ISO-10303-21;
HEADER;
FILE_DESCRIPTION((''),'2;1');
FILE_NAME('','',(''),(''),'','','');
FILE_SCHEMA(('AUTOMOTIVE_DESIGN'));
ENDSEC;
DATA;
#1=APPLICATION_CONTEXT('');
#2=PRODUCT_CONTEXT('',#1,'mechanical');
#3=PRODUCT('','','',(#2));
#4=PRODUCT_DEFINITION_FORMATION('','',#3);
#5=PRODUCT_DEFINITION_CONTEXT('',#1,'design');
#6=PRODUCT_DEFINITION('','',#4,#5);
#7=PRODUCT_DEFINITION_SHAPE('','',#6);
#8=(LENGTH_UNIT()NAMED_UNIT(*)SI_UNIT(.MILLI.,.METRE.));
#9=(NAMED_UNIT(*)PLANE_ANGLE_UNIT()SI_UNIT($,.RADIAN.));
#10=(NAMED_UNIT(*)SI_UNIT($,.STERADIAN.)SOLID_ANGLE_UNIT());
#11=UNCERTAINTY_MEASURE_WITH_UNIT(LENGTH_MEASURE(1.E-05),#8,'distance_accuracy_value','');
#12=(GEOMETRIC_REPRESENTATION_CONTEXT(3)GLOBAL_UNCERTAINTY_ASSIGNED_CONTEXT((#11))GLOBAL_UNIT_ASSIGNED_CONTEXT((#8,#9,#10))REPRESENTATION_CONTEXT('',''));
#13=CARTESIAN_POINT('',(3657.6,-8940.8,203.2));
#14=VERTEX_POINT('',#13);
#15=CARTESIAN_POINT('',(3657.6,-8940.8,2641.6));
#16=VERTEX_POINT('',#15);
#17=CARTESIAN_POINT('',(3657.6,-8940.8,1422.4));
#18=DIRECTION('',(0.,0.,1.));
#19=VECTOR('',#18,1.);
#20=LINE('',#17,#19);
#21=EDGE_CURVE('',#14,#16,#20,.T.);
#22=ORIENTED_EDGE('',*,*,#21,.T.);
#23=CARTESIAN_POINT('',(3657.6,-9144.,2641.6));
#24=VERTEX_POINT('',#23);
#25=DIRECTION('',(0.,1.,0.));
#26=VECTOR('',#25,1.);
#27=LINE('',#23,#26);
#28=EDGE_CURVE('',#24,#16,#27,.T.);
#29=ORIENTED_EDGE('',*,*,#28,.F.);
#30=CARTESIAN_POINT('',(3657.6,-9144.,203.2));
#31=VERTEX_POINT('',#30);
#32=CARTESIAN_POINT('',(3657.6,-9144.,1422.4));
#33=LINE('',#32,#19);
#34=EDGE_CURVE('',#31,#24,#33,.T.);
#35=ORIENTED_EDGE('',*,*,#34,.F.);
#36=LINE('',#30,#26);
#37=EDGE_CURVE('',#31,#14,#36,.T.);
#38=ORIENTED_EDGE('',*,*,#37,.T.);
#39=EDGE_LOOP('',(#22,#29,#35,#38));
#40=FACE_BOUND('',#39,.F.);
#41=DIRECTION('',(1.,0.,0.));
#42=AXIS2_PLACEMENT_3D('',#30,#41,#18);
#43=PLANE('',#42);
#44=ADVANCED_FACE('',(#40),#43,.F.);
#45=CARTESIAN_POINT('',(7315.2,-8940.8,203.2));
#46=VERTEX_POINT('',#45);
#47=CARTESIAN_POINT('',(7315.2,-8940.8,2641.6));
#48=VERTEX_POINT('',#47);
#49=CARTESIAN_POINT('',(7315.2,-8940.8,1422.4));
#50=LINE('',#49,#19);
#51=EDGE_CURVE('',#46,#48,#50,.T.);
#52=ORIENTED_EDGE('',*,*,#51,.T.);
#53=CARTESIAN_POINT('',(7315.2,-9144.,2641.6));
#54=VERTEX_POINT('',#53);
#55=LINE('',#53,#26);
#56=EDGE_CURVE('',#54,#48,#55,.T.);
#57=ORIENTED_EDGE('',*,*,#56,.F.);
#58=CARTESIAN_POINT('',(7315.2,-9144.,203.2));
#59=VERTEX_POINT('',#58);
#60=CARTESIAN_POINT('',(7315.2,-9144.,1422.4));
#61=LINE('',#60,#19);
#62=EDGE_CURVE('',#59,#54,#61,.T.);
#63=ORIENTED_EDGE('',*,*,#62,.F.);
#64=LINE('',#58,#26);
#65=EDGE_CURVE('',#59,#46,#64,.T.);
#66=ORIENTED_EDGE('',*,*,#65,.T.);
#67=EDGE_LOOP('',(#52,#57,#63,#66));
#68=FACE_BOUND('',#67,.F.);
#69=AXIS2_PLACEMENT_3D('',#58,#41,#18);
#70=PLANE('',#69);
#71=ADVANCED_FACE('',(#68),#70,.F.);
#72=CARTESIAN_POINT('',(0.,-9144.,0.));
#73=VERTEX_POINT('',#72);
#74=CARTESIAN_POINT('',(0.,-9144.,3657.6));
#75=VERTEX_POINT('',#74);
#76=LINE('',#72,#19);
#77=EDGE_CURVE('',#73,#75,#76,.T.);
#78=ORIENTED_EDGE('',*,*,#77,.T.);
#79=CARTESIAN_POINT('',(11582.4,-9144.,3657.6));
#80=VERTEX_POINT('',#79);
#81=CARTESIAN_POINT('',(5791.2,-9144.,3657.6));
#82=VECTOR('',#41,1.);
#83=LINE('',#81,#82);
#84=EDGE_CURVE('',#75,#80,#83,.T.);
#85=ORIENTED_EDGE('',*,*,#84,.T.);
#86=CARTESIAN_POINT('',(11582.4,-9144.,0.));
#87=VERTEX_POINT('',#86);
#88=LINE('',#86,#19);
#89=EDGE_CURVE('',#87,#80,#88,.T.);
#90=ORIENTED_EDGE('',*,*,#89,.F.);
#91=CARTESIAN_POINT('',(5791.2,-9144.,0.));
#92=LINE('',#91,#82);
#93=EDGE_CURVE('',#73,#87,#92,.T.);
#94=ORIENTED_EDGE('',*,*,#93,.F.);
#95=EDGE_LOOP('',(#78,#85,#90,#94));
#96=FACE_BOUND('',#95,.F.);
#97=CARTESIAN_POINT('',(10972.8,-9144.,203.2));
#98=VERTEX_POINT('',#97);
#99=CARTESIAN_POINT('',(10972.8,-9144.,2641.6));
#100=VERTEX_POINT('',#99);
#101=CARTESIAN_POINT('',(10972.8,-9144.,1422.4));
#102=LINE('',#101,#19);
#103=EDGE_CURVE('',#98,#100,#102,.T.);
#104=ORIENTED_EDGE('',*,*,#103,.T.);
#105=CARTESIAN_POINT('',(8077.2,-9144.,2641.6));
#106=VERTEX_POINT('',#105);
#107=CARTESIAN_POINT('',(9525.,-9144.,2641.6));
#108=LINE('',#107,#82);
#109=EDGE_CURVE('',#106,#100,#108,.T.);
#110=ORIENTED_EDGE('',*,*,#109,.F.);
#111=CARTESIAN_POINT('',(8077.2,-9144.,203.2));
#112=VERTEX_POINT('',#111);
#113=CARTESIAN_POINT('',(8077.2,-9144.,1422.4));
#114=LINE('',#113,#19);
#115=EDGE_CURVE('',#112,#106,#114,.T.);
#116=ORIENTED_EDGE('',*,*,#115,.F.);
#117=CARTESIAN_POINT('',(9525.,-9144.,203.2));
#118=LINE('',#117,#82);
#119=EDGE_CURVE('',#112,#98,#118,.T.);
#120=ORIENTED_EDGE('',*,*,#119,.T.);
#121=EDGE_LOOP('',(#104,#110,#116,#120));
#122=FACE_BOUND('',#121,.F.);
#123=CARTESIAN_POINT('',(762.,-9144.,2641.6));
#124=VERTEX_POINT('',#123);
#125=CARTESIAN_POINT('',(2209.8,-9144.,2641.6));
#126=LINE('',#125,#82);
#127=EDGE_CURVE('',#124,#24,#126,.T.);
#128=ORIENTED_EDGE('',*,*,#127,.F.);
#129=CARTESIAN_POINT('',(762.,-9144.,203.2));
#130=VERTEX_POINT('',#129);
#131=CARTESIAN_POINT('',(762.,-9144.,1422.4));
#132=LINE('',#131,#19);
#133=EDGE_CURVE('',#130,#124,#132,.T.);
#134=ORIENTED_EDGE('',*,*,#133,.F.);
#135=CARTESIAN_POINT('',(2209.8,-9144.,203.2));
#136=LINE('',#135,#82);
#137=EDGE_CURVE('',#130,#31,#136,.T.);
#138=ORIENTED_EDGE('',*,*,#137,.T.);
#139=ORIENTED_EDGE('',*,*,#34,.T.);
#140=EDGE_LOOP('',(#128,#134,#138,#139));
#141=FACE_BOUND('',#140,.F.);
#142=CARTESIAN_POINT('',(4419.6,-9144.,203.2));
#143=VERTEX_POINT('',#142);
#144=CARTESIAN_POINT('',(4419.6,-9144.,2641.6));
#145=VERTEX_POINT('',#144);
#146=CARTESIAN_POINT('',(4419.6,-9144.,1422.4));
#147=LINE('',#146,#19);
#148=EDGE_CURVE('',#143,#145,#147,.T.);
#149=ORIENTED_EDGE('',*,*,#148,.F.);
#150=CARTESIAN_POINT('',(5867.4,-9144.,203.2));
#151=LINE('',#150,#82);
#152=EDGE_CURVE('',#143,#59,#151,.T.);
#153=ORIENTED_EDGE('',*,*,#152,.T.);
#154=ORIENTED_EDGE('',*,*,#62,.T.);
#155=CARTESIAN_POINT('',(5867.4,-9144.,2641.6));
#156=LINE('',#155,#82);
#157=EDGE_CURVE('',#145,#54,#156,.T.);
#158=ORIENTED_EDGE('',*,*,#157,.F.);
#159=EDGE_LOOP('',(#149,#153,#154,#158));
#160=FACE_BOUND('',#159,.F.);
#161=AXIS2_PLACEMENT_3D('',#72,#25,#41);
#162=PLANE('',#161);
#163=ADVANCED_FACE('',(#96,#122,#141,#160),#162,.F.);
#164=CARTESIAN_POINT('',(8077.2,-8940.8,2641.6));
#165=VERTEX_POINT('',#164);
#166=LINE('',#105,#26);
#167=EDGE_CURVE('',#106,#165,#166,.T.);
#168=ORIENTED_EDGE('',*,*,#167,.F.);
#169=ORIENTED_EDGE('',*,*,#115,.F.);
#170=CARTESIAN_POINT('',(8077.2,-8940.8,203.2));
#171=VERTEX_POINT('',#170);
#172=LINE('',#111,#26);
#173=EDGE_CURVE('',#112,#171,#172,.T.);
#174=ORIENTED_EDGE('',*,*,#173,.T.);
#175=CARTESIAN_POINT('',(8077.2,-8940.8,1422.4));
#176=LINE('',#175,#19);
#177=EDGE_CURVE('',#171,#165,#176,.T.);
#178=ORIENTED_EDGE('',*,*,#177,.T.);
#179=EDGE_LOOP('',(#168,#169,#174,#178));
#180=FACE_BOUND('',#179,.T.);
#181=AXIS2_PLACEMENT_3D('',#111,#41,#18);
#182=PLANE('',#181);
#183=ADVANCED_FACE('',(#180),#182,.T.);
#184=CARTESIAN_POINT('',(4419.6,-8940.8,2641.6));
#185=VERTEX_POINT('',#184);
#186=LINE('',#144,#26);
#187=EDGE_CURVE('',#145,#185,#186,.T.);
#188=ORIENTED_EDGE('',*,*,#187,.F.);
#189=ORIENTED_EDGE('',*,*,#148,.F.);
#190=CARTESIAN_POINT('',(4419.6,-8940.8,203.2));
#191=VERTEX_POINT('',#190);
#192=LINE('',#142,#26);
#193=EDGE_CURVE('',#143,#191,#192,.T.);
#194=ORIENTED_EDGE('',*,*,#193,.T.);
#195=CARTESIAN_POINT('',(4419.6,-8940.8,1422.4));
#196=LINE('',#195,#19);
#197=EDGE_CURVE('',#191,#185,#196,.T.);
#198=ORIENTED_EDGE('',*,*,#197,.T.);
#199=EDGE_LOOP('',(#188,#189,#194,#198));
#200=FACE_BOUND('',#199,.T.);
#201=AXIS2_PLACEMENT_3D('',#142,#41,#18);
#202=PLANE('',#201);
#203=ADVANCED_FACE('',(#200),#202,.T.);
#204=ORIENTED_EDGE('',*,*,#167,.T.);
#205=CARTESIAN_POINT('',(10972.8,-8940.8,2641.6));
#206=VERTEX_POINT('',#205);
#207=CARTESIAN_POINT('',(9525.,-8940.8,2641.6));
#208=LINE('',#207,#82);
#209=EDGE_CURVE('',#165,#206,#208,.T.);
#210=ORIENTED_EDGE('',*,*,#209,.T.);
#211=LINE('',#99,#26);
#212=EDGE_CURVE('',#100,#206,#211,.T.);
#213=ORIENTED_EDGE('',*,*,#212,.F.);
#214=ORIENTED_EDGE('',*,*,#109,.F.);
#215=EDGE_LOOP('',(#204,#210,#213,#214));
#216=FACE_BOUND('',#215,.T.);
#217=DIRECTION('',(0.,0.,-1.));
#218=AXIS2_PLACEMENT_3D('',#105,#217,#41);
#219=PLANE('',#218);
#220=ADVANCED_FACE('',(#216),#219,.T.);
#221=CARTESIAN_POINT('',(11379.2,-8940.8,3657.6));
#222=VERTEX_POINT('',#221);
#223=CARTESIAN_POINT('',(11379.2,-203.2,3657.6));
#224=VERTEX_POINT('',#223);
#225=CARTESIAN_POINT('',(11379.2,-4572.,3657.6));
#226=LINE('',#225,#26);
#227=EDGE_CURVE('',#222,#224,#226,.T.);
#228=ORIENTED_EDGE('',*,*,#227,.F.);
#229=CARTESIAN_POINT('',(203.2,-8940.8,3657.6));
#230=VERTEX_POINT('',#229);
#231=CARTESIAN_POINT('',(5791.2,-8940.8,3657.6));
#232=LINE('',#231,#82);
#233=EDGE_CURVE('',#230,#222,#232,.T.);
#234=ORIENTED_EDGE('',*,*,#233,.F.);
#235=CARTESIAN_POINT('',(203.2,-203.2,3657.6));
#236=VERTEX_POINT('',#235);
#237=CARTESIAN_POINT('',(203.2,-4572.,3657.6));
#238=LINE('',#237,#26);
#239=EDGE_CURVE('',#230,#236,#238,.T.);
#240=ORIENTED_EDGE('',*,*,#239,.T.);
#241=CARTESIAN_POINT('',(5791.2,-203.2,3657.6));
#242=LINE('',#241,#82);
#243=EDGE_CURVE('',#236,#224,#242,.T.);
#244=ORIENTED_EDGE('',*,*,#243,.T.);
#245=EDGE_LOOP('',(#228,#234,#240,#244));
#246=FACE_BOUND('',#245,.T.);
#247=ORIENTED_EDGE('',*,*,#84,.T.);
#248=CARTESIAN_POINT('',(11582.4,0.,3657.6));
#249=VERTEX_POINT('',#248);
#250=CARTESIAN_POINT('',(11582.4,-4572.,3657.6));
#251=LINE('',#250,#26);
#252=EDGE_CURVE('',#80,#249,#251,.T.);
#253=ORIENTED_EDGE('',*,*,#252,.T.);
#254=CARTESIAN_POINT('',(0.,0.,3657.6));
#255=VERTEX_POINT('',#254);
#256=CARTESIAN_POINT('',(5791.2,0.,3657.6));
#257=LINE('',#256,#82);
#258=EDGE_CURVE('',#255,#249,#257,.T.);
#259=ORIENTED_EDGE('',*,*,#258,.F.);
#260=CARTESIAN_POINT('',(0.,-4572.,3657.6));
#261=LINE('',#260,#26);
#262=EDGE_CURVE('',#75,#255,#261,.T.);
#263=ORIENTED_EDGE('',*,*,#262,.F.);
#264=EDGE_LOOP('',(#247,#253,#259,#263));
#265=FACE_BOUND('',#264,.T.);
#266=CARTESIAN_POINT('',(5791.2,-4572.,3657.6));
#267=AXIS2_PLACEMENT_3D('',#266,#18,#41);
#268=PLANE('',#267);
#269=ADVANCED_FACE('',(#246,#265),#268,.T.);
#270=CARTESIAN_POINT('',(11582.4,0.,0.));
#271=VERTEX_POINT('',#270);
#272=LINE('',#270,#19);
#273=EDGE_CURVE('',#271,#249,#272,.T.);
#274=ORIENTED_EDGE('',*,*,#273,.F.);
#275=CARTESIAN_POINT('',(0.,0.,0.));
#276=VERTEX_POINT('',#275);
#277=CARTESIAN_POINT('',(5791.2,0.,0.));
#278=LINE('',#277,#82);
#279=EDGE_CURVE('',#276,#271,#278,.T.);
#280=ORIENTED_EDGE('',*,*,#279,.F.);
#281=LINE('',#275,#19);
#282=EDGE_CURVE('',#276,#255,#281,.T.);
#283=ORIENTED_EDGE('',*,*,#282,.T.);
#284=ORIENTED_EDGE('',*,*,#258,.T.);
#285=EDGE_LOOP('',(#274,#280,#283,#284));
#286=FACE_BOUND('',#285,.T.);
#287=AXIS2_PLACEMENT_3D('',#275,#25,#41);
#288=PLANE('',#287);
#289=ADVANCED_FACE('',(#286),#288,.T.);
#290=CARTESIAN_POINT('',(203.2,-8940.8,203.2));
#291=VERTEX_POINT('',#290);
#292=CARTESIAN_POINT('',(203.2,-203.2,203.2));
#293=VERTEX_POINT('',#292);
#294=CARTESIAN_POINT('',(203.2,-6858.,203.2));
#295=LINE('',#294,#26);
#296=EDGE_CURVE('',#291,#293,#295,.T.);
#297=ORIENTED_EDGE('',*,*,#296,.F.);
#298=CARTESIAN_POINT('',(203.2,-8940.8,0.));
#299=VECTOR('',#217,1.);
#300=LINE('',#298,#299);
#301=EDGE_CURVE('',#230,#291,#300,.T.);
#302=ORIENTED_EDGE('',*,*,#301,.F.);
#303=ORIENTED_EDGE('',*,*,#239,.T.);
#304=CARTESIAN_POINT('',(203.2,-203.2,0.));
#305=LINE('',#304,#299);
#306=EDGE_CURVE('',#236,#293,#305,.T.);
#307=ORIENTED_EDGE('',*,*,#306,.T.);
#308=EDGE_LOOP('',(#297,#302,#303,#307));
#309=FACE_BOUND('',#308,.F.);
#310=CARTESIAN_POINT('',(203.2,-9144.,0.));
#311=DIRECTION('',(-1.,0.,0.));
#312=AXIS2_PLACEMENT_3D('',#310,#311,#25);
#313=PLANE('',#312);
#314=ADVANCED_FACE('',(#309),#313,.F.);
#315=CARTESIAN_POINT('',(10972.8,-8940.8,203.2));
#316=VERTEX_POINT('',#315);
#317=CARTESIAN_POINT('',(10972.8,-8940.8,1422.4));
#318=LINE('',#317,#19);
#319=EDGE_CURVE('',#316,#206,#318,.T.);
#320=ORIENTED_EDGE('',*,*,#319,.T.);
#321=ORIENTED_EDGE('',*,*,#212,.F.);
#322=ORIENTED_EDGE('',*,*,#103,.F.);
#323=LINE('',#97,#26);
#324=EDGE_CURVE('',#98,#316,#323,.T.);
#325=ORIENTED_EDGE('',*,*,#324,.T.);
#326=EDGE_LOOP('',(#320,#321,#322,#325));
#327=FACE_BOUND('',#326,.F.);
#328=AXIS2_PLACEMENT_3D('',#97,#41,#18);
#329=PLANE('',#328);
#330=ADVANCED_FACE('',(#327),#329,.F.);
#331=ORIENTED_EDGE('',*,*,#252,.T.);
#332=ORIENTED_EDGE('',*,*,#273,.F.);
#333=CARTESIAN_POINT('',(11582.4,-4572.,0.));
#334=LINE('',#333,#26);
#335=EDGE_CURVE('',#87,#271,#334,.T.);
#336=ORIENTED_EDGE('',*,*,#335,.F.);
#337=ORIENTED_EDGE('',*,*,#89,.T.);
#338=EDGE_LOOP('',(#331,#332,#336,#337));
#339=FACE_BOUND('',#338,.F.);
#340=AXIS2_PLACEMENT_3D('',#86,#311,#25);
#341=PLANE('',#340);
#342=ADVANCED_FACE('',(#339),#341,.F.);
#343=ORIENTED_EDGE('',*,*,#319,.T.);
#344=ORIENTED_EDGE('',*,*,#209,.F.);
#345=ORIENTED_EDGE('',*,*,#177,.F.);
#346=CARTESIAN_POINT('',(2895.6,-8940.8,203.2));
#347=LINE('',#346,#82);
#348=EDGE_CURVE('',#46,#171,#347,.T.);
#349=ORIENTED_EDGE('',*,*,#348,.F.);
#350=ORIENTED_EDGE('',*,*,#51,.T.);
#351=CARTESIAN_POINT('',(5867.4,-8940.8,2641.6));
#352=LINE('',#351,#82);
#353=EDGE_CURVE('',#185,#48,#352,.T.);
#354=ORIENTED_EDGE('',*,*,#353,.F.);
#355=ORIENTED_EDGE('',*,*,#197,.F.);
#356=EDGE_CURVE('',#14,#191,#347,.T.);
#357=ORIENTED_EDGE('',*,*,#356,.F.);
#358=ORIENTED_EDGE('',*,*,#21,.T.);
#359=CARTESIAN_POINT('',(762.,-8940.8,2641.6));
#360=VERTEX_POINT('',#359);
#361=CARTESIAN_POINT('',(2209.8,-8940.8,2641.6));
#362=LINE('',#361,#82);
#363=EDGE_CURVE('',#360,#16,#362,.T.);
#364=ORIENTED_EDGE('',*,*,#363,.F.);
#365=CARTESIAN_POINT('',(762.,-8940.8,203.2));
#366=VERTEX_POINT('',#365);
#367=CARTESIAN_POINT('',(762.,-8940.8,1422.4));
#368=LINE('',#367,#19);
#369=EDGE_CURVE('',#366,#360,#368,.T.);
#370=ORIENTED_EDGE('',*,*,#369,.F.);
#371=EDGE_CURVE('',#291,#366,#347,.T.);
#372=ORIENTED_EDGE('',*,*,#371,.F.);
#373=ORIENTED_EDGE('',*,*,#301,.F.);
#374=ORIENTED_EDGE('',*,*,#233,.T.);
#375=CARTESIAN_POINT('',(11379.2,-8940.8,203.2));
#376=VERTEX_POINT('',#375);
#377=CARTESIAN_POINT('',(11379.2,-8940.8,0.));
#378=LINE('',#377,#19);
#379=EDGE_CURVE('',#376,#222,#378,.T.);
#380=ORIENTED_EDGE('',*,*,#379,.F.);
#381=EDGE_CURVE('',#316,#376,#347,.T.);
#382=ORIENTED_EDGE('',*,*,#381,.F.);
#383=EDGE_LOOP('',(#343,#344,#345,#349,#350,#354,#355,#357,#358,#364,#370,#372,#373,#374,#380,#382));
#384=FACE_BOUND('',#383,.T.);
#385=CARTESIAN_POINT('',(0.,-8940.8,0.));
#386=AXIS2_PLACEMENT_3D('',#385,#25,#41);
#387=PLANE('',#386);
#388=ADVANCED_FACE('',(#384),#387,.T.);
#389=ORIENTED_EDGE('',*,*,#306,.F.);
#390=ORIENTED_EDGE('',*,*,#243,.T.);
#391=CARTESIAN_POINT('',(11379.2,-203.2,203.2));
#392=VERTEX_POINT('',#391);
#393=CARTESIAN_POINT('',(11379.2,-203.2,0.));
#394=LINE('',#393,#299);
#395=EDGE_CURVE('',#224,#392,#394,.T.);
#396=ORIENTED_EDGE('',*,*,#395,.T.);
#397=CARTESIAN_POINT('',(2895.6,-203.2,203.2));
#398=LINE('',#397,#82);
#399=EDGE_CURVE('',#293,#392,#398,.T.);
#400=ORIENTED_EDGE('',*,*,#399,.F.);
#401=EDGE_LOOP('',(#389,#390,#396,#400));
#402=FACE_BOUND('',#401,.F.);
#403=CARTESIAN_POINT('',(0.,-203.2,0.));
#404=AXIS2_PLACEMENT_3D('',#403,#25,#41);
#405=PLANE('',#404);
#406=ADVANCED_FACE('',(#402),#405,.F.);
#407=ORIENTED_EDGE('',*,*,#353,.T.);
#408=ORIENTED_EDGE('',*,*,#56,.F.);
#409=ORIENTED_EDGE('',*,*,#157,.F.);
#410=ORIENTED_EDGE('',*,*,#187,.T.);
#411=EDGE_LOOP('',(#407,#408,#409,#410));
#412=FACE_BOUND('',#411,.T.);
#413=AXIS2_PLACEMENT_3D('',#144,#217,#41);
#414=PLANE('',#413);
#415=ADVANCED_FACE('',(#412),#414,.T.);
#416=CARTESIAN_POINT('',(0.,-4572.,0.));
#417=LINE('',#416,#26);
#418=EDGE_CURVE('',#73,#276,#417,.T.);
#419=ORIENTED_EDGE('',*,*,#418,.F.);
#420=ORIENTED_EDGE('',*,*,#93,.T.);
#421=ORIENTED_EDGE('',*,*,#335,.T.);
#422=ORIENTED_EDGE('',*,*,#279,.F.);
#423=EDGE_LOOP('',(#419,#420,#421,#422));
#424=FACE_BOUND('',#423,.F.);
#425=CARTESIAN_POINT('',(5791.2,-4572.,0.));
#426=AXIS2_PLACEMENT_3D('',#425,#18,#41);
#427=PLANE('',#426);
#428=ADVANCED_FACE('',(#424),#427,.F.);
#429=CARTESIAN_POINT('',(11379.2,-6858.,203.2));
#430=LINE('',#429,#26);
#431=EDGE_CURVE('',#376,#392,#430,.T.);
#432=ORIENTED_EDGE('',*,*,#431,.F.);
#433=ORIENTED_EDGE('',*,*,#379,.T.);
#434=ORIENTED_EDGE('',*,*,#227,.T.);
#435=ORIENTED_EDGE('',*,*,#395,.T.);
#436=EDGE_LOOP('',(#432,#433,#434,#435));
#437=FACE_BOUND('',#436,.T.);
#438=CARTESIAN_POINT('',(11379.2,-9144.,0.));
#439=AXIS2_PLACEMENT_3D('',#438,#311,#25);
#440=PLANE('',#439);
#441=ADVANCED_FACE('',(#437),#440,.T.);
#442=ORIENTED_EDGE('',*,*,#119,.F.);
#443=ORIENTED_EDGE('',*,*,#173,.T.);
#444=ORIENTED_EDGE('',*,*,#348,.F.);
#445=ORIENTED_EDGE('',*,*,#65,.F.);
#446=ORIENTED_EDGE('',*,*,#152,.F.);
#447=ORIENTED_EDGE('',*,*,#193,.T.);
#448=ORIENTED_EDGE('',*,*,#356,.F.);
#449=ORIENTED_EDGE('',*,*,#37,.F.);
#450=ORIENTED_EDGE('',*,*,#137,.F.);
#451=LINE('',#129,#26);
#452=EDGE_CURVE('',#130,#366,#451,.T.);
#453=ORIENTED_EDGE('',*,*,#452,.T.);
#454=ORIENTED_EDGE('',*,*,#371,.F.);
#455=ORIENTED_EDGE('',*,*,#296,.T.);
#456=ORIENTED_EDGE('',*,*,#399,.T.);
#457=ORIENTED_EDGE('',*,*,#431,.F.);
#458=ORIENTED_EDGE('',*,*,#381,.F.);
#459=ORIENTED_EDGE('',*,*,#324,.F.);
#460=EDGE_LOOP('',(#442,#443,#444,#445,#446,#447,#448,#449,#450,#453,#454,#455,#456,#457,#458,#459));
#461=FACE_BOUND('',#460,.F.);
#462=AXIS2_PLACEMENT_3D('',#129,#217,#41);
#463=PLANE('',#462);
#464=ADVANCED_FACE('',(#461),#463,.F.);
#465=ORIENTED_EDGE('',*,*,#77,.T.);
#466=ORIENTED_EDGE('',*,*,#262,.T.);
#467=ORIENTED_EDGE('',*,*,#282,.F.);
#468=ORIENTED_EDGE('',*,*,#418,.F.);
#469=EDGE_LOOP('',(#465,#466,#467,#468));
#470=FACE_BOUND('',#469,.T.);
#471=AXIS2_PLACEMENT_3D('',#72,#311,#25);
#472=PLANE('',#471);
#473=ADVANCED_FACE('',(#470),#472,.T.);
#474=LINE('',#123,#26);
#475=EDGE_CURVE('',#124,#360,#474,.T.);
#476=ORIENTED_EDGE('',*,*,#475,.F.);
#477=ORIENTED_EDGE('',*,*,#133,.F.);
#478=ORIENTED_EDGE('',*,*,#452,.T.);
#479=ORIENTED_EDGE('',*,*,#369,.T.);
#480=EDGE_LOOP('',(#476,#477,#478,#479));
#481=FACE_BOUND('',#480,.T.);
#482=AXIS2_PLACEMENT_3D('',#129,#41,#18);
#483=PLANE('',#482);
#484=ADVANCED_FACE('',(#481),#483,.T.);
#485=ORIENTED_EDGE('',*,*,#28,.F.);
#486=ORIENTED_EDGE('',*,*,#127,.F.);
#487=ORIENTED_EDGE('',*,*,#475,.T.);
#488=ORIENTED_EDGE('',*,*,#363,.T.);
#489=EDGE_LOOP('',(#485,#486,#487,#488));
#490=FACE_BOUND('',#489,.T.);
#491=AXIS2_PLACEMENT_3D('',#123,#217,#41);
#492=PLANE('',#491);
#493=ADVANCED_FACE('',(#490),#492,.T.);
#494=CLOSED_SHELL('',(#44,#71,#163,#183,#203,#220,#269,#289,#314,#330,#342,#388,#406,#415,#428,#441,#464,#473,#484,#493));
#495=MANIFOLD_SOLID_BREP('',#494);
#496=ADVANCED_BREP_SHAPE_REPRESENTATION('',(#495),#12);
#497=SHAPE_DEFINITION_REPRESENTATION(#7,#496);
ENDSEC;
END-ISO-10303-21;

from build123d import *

# Parameters (mm, degrees)
F0_W     = 11582.4
F0_H     = 9144
F1_DEPTH = 3657.6
F2_T     = -203.2
F3_W     = 2895.6
F3_H     = 2438.4
F4_DEPTH = 203.2


with BuildPart() as f1:
    # F0 (on Top) → F1 (new body)
    with BuildSketch(Plane.XY):
        with Locations((5791.2, -4572)):
            Rectangle(F0_W, F0_H)
    extrude(amount=F1_DEPTH)

    # F2
    f2_openings = [f1.faces().sort_by_distance(p)[0] for p in [
        (5791.2, -4572, 3657.6),
    ]]
    offset(amount=F2_T, openings=f2_openings)

    # F3 (on face) → F4 (cut, through all)
    with BuildSketch(Plane.XZ.offset(9144)):
        with Locations((2209.8, 1422.4)):
            Rectangle(F3_W, F3_H)
        with Locations((5867.4, 1422.4)):
            Rectangle(F3_W, F3_H)
        with Locations((9525, 1422.4)):
            Rectangle(F3_W, F3_H)
    extrude(amount=-F4_DEPTH, mode=Mode.SUBTRACT)


solid = f1.part
